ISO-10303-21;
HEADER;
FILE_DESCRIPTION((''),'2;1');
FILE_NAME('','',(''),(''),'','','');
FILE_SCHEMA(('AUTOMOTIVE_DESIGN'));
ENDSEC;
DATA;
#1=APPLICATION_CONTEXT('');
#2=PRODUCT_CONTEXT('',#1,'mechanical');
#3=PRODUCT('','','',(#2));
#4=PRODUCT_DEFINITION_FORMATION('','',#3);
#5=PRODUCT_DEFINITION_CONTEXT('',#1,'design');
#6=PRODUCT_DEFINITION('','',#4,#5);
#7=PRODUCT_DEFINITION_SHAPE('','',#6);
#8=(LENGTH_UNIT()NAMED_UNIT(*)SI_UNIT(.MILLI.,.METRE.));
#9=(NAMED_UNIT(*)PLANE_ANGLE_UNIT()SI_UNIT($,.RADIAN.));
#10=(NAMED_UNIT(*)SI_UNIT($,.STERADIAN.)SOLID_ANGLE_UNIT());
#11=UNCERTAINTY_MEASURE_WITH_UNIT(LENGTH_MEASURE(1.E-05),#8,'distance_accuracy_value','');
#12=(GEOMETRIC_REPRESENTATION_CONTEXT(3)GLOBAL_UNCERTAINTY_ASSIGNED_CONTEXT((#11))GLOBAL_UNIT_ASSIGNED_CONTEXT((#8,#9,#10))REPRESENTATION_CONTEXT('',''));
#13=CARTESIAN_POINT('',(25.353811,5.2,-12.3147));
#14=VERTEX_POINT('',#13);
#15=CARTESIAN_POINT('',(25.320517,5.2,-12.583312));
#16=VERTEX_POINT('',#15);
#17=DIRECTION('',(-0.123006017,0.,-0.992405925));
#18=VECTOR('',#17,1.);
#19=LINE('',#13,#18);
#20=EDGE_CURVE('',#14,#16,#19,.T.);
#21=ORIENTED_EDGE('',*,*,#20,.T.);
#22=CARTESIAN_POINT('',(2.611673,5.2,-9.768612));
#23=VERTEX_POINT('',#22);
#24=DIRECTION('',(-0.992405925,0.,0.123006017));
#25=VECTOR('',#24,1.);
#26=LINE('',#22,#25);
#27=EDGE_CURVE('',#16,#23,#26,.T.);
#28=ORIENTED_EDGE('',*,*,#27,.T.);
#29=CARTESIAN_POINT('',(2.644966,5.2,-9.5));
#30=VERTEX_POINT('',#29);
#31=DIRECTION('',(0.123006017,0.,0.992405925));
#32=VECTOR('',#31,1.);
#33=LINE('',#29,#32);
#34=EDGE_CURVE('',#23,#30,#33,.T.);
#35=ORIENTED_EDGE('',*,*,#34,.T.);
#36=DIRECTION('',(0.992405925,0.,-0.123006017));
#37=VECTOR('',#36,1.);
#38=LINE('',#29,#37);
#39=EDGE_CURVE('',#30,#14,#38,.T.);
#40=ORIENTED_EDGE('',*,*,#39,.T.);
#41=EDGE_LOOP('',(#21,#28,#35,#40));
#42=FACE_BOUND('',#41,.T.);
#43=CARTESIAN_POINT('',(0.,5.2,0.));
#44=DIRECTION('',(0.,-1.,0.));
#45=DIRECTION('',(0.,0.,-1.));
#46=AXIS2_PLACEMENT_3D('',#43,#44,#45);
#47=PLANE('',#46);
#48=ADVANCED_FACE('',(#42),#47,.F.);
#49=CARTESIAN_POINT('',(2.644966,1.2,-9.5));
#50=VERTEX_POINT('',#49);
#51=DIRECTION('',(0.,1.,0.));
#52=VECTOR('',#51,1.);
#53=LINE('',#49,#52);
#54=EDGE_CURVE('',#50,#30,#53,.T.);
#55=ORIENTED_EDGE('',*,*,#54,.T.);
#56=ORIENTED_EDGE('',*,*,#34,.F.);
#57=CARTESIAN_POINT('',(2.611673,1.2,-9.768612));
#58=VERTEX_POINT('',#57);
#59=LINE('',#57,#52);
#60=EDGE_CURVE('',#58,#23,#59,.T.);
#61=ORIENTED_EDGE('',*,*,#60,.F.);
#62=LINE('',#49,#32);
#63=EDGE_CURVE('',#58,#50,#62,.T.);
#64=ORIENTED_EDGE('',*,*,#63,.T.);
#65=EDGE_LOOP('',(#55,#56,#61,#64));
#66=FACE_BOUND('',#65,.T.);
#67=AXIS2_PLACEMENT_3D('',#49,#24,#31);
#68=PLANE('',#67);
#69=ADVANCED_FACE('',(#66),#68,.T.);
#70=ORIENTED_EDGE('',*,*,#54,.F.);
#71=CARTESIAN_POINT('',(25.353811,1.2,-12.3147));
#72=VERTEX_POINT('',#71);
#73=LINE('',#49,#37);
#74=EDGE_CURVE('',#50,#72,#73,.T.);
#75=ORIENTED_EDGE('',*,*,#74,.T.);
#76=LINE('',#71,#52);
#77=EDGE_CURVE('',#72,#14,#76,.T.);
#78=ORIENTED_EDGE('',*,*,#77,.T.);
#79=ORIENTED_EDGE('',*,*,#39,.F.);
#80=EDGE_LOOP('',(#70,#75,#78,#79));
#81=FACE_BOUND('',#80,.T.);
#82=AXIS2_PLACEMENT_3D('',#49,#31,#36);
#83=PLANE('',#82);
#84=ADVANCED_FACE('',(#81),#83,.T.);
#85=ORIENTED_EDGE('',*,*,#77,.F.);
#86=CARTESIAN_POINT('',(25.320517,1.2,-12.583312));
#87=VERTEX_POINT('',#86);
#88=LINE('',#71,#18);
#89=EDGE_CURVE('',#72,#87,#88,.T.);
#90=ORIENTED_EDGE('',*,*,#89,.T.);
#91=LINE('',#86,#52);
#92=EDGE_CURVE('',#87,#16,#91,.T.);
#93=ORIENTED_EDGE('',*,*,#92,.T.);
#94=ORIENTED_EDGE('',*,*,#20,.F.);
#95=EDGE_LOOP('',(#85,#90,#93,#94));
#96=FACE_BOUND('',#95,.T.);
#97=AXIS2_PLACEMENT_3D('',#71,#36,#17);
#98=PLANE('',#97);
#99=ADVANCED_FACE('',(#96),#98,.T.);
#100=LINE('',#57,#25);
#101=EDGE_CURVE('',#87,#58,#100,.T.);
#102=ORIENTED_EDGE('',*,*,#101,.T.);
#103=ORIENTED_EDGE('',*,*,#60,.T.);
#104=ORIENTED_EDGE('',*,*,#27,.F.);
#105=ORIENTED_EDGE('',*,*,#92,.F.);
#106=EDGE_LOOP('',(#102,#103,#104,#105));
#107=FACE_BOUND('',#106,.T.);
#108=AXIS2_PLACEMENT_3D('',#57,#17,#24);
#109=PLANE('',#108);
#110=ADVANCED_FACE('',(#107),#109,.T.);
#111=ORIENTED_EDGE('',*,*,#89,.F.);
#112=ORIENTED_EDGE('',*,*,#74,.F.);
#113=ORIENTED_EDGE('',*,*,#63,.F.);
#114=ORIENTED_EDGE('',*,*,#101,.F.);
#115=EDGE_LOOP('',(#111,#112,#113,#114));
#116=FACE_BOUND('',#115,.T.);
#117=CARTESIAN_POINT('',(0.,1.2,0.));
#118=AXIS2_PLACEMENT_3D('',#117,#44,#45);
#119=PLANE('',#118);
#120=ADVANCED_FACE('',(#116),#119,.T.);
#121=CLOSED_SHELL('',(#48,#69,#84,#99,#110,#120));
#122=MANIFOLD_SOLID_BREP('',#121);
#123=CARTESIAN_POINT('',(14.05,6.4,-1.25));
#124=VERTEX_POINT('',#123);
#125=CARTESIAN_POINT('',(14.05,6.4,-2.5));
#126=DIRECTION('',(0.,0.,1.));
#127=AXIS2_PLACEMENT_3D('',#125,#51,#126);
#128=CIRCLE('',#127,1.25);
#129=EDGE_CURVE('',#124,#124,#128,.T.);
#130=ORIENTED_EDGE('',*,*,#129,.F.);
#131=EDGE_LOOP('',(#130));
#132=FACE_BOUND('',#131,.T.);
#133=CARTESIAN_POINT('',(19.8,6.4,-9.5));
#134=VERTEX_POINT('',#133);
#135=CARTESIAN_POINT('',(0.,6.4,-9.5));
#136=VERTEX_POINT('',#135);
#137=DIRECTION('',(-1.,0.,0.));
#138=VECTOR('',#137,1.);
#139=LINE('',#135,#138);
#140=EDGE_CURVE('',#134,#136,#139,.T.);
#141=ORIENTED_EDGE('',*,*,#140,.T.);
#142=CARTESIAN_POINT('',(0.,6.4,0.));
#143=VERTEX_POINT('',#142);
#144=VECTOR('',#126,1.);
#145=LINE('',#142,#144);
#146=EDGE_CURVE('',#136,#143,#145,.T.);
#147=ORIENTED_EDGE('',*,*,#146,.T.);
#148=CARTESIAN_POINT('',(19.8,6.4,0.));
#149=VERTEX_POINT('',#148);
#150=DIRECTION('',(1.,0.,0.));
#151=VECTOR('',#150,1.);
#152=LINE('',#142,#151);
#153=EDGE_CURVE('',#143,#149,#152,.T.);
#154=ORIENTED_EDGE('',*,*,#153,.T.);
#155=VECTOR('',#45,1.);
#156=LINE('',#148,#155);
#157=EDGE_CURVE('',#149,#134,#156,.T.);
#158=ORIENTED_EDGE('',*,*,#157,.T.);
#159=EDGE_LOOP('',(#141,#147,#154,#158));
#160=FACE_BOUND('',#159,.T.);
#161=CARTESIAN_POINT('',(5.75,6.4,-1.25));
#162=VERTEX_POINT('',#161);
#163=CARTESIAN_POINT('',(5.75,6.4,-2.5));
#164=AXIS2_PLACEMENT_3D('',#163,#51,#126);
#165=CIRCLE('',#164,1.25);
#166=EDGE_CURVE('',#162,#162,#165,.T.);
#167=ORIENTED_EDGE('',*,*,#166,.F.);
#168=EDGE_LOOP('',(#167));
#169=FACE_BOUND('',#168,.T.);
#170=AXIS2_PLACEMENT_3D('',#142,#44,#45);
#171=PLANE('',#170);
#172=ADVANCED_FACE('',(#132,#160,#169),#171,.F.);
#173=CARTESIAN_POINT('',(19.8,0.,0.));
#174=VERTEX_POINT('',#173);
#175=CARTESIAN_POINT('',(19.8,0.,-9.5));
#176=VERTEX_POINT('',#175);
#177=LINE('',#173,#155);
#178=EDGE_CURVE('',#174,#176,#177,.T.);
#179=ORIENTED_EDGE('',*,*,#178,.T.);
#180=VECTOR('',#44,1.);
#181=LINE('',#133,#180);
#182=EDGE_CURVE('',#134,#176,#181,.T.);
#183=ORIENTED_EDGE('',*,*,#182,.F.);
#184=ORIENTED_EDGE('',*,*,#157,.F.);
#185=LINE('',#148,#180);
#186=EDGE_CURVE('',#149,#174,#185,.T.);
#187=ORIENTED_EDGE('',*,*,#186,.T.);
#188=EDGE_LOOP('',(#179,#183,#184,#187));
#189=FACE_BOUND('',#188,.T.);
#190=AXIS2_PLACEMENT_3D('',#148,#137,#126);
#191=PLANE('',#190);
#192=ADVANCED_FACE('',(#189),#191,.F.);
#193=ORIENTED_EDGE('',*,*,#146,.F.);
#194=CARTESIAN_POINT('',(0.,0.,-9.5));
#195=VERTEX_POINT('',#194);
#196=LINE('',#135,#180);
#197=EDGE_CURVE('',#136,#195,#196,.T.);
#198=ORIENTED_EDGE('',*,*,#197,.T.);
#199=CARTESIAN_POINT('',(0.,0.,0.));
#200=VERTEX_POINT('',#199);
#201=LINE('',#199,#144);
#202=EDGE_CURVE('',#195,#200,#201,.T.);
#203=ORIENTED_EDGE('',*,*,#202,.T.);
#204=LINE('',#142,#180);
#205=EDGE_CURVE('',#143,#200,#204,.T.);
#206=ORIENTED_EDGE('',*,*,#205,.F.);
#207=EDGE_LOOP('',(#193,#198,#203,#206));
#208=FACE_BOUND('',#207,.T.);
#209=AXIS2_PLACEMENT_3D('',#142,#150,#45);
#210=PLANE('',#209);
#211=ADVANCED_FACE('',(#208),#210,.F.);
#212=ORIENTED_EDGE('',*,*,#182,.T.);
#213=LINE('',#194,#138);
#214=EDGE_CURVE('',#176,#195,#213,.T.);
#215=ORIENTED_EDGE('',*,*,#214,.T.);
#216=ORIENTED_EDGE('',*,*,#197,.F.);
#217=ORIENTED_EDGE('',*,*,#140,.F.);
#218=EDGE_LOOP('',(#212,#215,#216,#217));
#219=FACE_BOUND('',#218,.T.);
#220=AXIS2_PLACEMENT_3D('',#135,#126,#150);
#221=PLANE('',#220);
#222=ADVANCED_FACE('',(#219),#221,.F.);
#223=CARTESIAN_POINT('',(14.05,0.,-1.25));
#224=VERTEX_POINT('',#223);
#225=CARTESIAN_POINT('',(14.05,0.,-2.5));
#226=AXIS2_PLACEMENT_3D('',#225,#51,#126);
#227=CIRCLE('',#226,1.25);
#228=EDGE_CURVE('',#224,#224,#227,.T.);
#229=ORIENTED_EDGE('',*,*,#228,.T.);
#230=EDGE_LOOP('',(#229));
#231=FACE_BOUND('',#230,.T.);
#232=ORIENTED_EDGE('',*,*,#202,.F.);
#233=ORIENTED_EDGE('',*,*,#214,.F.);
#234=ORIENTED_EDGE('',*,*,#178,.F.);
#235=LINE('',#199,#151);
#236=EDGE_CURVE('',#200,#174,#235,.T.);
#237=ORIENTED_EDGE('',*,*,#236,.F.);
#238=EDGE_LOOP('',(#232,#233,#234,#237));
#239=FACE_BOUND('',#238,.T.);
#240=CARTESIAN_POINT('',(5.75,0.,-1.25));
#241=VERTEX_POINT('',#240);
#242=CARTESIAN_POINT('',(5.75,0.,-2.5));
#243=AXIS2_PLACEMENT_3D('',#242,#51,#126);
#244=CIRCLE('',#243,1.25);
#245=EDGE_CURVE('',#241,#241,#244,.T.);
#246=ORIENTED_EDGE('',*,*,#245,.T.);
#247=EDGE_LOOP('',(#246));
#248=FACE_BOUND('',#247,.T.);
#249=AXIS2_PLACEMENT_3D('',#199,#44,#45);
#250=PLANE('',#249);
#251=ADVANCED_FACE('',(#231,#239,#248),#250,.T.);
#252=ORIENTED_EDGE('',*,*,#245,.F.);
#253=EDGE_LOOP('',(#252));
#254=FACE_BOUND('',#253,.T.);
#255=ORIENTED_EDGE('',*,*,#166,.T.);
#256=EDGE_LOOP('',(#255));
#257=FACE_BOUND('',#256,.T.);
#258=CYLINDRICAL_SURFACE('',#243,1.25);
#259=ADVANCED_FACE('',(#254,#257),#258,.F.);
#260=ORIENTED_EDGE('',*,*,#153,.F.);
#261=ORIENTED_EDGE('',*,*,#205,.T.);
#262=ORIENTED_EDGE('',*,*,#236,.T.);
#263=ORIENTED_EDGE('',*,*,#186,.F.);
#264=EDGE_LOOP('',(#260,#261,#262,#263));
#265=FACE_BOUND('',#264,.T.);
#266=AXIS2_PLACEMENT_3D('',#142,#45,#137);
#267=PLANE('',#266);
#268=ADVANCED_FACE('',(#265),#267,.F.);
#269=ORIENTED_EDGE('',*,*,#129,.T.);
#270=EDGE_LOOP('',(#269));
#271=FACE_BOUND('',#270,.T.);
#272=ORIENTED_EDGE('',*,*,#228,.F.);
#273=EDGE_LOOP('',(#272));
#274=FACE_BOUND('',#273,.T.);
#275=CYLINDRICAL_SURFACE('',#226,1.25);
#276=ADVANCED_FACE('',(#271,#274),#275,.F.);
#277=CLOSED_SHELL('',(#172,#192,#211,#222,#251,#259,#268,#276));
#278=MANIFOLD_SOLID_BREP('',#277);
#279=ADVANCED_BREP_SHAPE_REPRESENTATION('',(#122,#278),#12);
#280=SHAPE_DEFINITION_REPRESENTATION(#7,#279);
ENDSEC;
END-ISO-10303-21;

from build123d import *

# Parameters (mm, degrees)
SKETCH_1_W          = 19.8
SKETCH_1_H          = 9.5
EXTRUDE_1_DEPTH     = 6.4
SKETCH_2_R          = 1.25
CUT_EXTRUDE_1_DEPTH = 6.4
EXTRUDE_START       = -1.2
EXTRUDE_2_DEPTH     = 4


with BuildPart() as part:
    # 草圖1 → 填料-伸長1 (new body)
    with BuildSketch(Plane(origin=(0, 0, 0), x_dir=(1, 0, 0), z_dir=(0, 1, 0))):
        with Locations((9.9, 4.75)):
            Rectangle(SKETCH_1_W, SKETCH_1_H)
    extrude(amount=EXTRUDE_1_DEPTH)

    # 草圖2 → 除料-伸長1 (cut)
    with BuildSketch(Plane(origin=(0, 6.4, 0), x_dir=(1, 0, 0), z_dir=(0, 1, 0))):
        with Locations((5.75, 2.5)):
            Circle(SKETCH_2_R)
        with Locations((14.05, 2.5)):
            Circle(SKETCH_2_R)
    extrude(amount=-CUT_EXTRUDE_1_DEPTH, mode=Mode.SUBTRACT)


with BuildPart() as body_2:
    # 草圖3 → 填料-伸長2 (new body)
    with BuildSketch(Plane(origin=(0, 6.4, 0), x_dir=(1, 0, 0), z_dir=(0, 1, 0)).offset(EXTRUDE_START)):
        Polygon((2.644966483, 9.5), (25.353811231, 12.314699581), (25.320517467, 12.583311873), (2.61167272, 9.768612292), align=None)
    extrude(amount=-EXTRUDE_2_DEPTH)


solid = Compound([part.part, body_2.part])
